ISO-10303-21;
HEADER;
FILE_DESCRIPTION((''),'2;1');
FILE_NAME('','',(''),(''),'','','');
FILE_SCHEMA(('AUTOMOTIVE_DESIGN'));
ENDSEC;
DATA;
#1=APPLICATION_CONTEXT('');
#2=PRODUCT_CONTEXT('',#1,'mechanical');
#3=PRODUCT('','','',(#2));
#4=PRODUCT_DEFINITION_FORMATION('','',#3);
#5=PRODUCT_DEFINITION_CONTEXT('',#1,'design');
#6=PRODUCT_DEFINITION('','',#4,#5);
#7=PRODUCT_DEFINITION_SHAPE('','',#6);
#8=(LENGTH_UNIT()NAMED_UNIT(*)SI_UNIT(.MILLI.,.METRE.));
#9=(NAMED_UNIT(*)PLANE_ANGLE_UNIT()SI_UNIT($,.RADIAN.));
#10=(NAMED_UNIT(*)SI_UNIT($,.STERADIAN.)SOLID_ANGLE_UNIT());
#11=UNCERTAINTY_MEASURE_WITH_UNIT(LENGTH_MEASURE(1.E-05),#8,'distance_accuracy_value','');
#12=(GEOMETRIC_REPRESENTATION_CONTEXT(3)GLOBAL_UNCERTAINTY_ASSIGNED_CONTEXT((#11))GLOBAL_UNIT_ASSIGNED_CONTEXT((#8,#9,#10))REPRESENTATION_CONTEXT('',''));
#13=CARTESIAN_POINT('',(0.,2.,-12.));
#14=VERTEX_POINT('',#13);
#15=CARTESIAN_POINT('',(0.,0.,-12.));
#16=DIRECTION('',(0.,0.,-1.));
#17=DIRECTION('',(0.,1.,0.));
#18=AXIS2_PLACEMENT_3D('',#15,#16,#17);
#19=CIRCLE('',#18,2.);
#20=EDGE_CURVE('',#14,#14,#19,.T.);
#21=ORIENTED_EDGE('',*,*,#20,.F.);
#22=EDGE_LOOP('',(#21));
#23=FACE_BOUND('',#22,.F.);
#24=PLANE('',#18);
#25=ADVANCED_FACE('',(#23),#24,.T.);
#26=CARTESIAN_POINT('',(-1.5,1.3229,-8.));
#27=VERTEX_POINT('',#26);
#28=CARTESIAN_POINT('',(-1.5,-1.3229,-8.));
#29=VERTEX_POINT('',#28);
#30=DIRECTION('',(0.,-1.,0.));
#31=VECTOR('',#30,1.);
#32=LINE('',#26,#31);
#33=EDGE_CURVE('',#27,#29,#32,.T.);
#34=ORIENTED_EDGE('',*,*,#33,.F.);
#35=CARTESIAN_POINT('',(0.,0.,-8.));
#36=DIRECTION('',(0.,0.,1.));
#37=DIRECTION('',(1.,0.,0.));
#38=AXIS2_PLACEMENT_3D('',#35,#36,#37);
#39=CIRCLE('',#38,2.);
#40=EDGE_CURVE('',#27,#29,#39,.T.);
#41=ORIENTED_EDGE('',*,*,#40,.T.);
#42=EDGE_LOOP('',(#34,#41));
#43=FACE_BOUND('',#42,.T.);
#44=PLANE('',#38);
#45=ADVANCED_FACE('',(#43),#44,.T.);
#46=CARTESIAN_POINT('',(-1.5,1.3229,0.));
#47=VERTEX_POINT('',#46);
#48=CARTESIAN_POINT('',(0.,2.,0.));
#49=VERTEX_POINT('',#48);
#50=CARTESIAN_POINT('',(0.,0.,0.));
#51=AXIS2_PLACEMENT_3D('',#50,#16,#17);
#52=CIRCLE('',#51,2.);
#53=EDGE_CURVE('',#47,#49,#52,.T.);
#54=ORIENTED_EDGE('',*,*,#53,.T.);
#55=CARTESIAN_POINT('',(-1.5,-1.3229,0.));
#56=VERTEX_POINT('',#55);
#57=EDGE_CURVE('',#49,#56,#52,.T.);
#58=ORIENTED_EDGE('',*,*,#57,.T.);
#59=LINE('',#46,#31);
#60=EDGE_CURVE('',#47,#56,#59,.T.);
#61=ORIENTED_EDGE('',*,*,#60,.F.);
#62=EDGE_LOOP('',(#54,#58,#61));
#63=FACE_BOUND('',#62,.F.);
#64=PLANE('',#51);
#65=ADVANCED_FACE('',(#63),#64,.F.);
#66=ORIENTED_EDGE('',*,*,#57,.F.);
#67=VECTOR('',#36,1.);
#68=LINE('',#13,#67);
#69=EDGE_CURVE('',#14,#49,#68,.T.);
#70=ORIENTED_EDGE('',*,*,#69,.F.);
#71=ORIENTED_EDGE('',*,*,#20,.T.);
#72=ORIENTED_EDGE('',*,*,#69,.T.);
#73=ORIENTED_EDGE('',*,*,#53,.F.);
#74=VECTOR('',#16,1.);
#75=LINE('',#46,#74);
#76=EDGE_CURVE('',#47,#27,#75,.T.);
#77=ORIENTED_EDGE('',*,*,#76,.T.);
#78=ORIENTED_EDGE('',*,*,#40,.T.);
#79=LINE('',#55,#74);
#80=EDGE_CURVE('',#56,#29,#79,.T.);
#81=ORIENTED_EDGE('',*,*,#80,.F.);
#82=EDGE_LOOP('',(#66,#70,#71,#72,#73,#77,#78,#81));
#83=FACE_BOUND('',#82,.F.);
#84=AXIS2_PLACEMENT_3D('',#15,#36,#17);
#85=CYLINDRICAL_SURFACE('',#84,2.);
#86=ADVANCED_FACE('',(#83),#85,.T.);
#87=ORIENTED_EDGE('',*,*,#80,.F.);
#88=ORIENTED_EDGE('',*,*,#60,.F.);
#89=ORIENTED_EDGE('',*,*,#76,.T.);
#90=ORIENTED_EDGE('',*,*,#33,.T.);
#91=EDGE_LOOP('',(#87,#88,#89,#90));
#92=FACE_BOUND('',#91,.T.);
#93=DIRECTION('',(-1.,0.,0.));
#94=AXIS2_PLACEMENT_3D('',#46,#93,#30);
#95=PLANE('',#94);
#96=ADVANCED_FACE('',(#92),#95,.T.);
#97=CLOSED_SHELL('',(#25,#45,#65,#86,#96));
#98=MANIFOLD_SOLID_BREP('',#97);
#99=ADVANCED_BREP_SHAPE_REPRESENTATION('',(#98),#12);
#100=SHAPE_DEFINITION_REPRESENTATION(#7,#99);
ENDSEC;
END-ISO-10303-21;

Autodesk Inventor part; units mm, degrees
ref_plane "YZ Plane" through (0, 0, 0) normal (1, 0, 0) x (0, 1, 0)
ref_plane "XZ Plane" through (0, 0, 0) normal (0, 1, 0) x (-1, 0, 0)
ref_plane "XY Plane" through (0, 0, 0) normal (0, 0, 1) x (1, 0, 0)
sketch "草圖1" plane through (0, 0, 0) normal (1, 0, 0) x (0, 1, 0)
  line L0 (2, 0) -> (-2, 0)
  line L1 (-2, 0) -> (-2, -12)
  line L2 (-2, -12) -> (2, -12)
  line L3 (2, -12) -> (2, 0)
  line L4 (0, 0) -> (0, -12)
  dimension "d0" = 12
  dimension "d1" = 4
revolve "迴轉1" add sketch "草圖1" angle 360 about axis through (0, 0, 0) along (0, 0, -1) contours L3 L2 L4 L0
sketch "草圖2" plane through (0, 0, 0) normal (0, 0, 1) x (1, 0, 0)
  circle A0 centre (0, 0) radius 2
  line L0 (-1.5, 1.3229) -> (-1.5, -1.3229)
  dimension "d3" = 4
  dimension "d4" = 1.5
extrude "擠出1" cut sketch "草圖2" against normal blind 8 contours L0 A0 picked at (-1.5908, -0.3089)
properties part number "軸" material "鋁合金 6061"
